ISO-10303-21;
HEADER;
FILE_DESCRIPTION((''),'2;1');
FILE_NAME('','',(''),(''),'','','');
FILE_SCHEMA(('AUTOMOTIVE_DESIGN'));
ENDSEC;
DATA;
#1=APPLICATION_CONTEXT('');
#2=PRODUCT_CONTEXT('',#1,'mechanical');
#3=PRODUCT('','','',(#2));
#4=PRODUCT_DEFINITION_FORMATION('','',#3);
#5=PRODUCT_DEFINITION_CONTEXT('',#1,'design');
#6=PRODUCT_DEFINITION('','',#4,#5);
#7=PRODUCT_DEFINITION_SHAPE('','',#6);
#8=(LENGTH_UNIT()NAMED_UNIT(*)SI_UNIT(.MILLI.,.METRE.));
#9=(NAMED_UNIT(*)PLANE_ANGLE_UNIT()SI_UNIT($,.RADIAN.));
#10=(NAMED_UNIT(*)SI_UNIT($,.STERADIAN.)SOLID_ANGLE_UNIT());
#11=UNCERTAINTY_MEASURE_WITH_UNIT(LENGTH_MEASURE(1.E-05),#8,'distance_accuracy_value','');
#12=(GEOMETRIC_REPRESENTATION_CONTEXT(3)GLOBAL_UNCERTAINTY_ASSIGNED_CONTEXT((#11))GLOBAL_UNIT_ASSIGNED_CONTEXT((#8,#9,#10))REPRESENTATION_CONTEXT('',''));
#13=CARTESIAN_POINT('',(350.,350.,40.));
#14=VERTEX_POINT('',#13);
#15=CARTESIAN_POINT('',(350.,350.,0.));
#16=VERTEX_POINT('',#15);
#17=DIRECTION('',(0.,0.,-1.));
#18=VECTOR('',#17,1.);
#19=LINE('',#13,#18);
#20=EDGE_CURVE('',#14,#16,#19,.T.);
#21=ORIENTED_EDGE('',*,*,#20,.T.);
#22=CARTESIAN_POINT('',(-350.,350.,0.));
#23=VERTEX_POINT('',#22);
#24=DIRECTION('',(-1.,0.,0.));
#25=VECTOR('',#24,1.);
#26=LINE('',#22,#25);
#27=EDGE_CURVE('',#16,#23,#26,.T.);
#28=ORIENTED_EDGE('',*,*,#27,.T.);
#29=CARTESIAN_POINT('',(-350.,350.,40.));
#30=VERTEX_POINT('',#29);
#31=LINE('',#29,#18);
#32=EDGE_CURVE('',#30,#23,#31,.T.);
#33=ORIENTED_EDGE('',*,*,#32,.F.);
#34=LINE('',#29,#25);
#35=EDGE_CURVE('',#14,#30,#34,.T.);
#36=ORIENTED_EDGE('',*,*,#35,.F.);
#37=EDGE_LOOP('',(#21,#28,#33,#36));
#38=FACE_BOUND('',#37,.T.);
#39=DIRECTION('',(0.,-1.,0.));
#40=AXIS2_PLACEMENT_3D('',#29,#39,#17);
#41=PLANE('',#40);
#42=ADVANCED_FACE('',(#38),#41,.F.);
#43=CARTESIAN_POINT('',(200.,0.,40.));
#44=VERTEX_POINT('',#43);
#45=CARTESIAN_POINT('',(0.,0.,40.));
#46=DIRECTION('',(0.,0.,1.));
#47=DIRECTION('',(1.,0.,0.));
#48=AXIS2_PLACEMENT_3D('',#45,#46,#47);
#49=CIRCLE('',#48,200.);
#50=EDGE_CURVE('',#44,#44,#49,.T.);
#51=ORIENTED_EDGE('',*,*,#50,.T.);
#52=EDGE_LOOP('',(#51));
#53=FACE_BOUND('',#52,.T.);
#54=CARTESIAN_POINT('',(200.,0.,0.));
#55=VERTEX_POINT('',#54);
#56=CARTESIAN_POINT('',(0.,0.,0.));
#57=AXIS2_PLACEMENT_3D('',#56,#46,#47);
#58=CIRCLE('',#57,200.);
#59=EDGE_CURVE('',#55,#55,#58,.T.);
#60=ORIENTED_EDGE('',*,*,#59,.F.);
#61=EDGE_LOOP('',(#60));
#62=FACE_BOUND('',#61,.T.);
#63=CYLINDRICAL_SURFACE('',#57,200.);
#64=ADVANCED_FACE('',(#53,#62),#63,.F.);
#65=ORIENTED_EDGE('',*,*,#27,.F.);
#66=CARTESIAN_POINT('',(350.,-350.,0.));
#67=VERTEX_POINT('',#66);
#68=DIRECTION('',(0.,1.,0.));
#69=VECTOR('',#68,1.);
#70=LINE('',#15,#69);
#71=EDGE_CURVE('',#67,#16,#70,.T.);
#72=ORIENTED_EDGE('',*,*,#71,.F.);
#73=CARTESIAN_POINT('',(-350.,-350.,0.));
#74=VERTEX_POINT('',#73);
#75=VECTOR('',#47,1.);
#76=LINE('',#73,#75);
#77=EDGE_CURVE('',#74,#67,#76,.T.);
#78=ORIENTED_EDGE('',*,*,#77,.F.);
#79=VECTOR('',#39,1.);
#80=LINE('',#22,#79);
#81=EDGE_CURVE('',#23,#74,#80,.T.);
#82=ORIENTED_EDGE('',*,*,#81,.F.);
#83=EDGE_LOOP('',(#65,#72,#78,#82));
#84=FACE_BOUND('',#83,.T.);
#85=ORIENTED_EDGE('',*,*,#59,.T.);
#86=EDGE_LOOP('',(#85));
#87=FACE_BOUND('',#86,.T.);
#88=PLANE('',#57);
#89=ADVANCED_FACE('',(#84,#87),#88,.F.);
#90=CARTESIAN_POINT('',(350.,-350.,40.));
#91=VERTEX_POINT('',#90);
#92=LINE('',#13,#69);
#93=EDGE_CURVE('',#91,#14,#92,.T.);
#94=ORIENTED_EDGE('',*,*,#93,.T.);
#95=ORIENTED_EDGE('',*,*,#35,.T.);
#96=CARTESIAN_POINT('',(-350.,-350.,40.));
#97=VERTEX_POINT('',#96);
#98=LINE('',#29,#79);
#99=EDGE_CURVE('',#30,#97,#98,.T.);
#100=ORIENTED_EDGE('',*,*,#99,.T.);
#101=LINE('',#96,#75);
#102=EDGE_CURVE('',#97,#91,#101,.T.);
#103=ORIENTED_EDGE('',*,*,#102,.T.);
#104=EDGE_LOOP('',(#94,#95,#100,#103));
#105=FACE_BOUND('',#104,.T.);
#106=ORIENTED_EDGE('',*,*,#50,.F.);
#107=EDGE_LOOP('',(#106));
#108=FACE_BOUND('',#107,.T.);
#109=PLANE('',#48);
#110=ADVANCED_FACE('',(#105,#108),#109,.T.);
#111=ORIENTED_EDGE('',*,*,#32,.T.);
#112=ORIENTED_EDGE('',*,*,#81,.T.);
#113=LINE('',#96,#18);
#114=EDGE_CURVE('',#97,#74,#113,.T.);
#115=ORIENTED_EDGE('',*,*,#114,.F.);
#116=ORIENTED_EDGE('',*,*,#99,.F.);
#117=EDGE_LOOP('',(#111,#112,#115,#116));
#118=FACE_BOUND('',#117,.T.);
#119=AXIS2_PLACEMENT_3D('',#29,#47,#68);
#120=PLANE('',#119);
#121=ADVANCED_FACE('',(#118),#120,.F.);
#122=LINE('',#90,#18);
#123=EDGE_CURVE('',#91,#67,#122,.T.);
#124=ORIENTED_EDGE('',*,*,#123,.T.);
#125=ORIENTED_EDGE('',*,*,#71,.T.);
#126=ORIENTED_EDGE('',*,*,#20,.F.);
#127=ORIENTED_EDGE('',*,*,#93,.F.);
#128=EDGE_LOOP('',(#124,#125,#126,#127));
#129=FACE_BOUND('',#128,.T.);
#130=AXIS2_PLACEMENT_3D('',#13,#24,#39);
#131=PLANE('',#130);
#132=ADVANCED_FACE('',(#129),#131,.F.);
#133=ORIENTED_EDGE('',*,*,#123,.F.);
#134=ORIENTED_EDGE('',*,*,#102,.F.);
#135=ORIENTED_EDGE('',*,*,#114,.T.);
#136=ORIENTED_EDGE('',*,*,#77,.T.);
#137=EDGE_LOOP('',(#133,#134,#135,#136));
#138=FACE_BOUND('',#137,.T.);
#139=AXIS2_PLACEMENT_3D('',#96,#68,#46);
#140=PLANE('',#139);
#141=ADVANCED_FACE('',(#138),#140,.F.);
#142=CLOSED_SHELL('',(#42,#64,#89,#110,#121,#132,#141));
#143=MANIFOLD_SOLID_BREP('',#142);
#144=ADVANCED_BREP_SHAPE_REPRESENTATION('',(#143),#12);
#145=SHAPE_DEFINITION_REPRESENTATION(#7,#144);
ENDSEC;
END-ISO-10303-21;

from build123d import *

# Parameters (mm, degrees)
CROQUIS1_W              = 700
CROQUIS1_H              = 700
SALIENTE_EXTRUIR1_DEPTH = 40
CROQUIS2_R              = 200
CORTAR_EXTRUIR1_DEPTH   = 41


with BuildPart() as part:
    # Croquis1 → Saliente-Extruir1 (new body)
    with BuildSketch(Plane.XY):
        Rectangle(CROQUIS1_W, CROQUIS1_H)
    extrude(amount=SALIENTE_EXTRUIR1_DEPTH)

    # Croquis2 → Cortar-Extruir1 (cut, through all)
    with BuildSketch(Plane.XY.offset(40)):
        Circle(CROQUIS2_R)
    extrude(amount=-CORTAR_EXTRUIR1_DEPTH, mode=Mode.SUBTRACT)


solid = part.part
